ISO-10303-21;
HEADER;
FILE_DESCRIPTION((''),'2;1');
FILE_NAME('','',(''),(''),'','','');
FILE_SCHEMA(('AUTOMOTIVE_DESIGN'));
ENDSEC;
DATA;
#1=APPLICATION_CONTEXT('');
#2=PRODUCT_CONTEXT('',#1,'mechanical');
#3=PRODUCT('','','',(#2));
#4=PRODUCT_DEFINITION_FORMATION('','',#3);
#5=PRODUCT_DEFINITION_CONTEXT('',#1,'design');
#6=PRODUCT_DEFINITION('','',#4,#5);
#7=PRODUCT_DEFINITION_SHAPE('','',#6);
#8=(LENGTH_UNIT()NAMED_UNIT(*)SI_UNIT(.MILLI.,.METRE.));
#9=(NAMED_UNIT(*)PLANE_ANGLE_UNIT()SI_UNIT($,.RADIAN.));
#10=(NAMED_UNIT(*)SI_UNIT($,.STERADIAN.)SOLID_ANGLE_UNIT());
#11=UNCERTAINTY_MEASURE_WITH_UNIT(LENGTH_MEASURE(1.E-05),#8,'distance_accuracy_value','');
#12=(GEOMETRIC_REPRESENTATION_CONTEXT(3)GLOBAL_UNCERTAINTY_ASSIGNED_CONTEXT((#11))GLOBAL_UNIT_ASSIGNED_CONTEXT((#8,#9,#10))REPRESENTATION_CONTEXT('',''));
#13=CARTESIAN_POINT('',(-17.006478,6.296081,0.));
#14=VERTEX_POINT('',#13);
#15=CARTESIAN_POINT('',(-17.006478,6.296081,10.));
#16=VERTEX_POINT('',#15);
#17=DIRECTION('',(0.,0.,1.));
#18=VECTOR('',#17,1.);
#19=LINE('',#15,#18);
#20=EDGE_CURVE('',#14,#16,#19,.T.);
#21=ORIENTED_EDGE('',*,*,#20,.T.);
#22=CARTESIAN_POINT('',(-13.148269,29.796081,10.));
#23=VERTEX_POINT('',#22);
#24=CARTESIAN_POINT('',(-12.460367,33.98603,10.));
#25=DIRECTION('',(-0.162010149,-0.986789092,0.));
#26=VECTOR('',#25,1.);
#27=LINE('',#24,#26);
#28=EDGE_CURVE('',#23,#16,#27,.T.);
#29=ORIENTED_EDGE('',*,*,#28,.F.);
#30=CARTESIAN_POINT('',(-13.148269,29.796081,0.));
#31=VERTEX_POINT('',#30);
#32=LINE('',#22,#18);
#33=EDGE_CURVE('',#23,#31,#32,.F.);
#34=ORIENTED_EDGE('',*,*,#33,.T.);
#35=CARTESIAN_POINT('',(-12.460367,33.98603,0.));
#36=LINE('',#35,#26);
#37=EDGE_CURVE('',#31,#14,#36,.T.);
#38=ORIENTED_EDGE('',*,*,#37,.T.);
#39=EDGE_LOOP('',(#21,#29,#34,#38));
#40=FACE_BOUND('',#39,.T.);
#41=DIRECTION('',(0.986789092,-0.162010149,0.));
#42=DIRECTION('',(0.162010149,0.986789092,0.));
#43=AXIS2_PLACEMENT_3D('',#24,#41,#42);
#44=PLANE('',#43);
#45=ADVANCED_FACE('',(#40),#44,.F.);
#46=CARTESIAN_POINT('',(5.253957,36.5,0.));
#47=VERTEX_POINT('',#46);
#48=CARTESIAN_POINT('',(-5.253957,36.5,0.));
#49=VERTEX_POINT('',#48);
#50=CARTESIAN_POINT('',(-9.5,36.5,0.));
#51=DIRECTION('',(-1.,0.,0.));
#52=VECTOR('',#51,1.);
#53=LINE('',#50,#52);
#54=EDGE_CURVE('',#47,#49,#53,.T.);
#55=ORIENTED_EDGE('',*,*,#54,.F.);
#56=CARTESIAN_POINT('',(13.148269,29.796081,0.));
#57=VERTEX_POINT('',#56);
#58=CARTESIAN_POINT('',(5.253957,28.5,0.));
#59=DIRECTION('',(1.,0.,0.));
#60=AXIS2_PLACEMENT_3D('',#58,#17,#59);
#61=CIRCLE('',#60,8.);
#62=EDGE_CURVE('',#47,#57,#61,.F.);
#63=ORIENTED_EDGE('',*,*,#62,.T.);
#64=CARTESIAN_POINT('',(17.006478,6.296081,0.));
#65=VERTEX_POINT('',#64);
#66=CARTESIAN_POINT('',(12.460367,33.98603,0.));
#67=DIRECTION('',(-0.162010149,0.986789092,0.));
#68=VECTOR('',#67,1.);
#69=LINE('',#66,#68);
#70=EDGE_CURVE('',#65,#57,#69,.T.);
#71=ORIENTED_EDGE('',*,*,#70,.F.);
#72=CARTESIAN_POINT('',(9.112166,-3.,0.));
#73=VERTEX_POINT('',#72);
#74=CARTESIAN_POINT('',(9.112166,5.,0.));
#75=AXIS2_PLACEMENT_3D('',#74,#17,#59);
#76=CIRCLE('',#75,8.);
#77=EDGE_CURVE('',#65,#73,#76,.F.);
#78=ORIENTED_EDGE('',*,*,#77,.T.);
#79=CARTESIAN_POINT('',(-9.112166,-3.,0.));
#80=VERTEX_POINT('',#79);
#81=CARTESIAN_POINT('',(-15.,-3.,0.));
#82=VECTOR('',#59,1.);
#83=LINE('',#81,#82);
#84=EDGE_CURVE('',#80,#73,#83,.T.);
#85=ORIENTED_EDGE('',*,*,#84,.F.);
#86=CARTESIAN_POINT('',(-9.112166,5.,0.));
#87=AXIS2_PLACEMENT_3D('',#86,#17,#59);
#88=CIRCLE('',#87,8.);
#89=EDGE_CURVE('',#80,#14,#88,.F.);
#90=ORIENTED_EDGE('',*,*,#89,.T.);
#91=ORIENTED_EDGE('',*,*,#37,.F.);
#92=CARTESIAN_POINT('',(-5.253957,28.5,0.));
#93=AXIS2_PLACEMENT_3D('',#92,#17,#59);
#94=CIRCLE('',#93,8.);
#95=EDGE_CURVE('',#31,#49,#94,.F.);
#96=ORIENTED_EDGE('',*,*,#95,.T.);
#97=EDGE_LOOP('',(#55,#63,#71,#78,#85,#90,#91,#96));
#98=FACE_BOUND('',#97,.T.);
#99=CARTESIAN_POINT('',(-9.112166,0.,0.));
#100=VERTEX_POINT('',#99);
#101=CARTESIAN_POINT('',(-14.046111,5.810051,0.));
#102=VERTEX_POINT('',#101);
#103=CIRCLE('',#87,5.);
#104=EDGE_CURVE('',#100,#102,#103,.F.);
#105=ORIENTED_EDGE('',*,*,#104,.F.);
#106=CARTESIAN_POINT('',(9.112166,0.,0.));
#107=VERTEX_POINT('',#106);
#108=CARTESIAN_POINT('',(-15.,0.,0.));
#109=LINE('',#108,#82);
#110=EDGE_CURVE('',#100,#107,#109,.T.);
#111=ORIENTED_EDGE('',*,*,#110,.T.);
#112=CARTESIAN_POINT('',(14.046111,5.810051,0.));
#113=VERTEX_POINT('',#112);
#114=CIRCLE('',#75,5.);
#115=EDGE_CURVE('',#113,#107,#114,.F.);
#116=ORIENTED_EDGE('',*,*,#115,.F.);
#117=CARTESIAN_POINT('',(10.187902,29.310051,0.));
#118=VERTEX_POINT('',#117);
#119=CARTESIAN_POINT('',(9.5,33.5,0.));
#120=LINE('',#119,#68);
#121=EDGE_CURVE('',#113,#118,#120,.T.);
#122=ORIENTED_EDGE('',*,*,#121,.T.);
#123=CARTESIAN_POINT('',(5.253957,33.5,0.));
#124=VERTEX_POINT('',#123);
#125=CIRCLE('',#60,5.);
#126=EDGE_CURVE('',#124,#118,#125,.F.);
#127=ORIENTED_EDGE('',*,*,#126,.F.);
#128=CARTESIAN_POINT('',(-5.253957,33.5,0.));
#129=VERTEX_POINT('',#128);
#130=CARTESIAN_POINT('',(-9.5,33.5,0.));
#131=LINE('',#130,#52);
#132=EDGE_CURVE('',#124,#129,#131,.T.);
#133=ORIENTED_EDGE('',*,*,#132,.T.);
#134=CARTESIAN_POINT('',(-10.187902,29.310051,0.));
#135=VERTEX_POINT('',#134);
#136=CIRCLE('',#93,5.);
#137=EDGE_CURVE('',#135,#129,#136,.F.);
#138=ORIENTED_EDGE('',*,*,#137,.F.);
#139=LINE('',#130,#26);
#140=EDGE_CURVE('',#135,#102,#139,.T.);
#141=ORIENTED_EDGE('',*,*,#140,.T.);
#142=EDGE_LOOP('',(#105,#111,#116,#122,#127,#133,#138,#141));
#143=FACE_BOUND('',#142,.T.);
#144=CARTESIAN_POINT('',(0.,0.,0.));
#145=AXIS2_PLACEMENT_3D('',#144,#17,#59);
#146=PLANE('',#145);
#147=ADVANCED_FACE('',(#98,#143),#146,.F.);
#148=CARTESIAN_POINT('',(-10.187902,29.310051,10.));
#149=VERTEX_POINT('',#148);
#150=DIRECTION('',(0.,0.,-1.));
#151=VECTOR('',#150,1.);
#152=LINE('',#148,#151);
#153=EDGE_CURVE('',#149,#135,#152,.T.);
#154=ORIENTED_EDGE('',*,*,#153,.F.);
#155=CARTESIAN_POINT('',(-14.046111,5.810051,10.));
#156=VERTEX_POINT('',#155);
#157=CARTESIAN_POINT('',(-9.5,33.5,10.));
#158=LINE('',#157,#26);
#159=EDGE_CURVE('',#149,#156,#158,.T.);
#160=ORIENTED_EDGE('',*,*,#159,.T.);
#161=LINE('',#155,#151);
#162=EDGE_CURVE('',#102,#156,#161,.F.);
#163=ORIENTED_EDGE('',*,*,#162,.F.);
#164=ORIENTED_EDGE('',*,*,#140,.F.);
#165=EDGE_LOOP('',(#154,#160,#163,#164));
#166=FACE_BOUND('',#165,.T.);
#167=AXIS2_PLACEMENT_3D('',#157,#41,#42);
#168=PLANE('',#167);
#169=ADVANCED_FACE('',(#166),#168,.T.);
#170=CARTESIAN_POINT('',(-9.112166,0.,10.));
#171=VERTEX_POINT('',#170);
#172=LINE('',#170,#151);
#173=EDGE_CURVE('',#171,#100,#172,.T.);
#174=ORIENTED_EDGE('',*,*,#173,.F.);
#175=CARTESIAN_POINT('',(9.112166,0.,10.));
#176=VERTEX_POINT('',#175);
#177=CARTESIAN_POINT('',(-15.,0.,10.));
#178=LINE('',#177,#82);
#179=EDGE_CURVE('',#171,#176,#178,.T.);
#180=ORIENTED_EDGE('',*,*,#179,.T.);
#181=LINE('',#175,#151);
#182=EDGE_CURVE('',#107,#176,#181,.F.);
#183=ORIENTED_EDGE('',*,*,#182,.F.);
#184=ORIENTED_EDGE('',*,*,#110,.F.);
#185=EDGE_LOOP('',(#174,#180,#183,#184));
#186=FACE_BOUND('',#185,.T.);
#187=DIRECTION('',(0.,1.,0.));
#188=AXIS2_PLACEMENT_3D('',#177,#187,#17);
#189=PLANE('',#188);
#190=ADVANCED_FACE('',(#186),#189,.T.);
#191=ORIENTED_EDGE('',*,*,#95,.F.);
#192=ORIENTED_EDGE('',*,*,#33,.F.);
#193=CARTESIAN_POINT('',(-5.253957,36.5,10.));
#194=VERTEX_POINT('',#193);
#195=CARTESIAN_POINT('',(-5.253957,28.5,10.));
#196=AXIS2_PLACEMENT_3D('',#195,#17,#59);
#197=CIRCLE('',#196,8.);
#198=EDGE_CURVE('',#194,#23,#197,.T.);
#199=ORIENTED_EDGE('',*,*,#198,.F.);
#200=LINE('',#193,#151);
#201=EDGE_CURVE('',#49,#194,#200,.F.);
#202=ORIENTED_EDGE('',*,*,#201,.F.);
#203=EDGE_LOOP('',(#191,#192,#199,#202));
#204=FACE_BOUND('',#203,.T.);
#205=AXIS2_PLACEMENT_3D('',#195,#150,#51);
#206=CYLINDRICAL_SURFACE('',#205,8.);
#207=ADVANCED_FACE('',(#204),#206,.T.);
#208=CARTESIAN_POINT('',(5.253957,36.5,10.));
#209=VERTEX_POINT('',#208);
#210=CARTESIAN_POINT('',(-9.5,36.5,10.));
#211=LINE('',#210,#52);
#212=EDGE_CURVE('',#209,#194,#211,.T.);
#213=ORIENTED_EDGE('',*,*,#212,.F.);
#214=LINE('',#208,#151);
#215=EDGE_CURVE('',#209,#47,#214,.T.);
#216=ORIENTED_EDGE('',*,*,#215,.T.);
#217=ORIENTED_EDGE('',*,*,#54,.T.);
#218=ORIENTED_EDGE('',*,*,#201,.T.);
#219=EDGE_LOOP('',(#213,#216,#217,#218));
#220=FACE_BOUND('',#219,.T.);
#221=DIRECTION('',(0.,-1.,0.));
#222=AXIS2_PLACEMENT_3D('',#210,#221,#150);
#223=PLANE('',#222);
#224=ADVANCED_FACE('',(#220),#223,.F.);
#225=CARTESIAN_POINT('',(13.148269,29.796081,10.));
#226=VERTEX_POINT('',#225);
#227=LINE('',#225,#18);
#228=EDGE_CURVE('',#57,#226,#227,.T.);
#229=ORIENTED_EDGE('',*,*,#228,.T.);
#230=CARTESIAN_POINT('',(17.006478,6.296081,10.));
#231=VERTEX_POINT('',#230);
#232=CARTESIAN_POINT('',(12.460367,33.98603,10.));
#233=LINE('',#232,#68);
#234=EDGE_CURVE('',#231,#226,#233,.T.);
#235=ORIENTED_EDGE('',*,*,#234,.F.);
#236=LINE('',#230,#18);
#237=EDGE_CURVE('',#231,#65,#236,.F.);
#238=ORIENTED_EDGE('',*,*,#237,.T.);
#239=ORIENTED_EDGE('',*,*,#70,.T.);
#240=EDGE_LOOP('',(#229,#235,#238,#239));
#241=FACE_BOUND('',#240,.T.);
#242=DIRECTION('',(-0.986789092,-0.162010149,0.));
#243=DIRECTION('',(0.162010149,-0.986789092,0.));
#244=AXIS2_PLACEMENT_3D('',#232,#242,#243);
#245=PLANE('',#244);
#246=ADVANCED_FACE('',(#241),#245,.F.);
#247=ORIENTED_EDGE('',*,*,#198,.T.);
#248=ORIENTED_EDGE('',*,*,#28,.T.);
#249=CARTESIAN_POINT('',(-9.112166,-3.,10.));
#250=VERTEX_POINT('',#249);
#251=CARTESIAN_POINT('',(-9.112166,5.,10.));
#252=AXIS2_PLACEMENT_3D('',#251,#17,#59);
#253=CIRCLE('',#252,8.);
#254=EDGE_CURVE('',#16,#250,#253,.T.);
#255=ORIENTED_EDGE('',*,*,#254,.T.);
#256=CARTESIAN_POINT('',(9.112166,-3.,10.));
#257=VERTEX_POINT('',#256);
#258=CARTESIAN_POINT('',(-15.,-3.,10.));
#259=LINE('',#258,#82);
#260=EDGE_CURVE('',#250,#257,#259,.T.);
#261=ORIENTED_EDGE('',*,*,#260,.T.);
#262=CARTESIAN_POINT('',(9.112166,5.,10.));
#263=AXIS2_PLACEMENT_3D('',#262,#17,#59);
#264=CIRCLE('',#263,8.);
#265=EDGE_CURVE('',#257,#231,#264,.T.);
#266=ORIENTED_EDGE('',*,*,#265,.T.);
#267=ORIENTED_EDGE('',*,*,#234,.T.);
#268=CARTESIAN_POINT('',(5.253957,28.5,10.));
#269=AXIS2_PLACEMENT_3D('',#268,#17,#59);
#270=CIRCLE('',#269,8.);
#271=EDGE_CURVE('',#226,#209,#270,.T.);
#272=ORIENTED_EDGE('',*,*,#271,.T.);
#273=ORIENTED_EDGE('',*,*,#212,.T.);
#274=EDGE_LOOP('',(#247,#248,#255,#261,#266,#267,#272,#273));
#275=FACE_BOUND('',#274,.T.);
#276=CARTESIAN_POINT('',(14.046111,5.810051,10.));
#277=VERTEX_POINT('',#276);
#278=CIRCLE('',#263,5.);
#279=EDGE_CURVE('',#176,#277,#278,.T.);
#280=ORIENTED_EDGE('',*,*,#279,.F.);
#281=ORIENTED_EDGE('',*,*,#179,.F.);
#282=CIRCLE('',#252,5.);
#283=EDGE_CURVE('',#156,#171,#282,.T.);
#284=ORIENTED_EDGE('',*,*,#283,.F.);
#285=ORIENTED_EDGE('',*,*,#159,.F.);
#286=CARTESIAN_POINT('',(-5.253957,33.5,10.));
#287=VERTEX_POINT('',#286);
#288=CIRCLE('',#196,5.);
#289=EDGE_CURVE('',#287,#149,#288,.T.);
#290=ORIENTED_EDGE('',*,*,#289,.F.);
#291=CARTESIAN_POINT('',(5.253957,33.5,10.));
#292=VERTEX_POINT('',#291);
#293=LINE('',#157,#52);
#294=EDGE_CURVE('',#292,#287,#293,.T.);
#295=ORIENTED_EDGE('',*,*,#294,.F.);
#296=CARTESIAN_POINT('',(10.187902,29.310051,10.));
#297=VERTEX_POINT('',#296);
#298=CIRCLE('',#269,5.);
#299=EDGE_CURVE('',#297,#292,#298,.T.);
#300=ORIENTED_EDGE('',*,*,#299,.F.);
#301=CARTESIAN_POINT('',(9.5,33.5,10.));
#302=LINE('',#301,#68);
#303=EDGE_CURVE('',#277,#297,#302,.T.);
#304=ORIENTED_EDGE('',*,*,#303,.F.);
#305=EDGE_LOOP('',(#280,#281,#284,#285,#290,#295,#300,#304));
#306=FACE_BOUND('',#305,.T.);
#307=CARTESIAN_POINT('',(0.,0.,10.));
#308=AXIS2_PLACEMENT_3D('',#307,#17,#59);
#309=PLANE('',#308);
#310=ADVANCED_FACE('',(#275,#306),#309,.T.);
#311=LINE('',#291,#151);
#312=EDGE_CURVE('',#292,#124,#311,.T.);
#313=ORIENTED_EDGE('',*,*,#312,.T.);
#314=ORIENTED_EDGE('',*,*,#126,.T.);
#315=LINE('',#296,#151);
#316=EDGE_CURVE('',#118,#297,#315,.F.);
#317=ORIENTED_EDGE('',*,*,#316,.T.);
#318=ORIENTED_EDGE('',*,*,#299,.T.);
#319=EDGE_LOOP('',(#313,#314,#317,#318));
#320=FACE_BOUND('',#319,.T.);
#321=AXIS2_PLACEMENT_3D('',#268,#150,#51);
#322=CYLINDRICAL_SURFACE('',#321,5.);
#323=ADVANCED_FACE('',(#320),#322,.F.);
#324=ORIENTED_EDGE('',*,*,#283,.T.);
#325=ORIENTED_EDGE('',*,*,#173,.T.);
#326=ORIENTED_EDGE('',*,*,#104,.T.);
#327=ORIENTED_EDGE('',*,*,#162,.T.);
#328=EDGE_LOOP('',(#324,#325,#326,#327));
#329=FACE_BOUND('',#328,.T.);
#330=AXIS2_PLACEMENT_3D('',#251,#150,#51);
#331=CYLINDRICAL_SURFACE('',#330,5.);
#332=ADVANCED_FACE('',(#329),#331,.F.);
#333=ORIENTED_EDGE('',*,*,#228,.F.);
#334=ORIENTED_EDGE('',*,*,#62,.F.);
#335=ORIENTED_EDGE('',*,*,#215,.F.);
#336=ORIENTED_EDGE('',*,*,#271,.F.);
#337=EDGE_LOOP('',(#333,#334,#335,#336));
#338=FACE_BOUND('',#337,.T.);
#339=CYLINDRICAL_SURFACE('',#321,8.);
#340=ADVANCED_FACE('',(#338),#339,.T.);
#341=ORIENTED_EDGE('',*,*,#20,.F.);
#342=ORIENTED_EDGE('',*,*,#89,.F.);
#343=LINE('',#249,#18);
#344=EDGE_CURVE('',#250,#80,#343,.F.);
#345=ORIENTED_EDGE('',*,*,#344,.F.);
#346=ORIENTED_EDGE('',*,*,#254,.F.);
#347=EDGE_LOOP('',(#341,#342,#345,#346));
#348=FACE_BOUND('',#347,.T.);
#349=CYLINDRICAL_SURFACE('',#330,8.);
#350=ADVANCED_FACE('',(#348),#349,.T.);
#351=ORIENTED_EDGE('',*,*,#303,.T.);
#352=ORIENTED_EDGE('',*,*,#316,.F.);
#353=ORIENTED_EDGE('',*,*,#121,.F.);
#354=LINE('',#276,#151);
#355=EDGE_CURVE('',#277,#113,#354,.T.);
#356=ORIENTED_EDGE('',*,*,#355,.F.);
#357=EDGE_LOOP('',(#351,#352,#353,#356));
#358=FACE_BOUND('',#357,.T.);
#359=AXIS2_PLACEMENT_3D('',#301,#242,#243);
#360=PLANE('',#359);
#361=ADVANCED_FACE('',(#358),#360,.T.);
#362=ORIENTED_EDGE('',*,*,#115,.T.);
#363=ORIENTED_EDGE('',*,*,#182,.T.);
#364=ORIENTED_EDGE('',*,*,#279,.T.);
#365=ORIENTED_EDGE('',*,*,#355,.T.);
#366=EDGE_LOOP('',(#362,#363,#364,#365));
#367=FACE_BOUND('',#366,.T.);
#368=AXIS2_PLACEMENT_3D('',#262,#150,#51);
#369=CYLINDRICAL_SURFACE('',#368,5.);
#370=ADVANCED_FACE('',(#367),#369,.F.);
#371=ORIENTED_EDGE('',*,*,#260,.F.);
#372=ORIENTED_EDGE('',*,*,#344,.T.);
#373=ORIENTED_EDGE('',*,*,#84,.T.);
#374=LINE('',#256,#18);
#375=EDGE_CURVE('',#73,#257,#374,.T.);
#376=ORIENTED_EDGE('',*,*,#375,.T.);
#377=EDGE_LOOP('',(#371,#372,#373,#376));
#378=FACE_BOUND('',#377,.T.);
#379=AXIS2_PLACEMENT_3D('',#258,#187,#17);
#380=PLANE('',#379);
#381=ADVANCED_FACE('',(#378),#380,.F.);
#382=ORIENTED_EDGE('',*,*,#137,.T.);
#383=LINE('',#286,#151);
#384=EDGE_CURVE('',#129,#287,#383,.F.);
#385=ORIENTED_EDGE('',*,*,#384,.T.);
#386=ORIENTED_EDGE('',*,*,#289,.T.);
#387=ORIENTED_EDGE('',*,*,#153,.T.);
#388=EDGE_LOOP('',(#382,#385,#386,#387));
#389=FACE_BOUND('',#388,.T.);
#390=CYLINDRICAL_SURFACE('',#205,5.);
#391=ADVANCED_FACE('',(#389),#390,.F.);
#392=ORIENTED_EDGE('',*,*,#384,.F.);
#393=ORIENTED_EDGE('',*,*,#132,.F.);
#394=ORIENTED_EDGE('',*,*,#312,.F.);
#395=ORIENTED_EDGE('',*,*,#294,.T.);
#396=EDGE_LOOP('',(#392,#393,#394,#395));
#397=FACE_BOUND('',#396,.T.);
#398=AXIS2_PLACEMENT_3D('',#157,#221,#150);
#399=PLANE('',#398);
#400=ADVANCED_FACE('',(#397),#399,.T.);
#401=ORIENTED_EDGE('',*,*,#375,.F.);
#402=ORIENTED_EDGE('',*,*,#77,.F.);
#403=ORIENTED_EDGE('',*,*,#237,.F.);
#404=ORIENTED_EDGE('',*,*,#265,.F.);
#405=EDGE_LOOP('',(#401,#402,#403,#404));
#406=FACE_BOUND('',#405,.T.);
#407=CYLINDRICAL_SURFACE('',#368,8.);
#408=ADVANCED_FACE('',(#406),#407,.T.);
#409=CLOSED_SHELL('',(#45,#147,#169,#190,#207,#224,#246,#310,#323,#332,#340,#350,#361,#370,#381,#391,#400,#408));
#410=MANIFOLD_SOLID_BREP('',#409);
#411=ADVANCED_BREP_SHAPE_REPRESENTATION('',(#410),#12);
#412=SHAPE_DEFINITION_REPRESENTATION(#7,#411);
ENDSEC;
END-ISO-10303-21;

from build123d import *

# Parameters (mm, degrees)
BOSS_EXTRU_2_DEPTH = 10
CONG_2_R           = 5
COQUE3_T           = 3


with BuildPart() as part:
    # Esquisse1 → Boss.-Extru.2 (new body)
    with BuildSketch(Plane.XY):
        Polygon((-15, 0), (15, 0), (9.5, 33.5), (-9.5, 33.5), align=None)
    extrude(amount=BOSS_EXTRU_2_DEPTH)

    # Congé2
    cong_2_edges = [part.edges().sort_by_distance(p)[0] for p in [
        (15, 0, 5),
        (-15, 0, 5),
        (-9.5, 33.5, 5),
        (9.5, 33.5, 5),
    ]]
    fillet(cong_2_edges, radius=CONG_2_R)

    # Coque3
    coque3_openings = [part.faces().sort_by_distance(p)[0] for p in [
        (0, 15.617025891, 0),
        (0, 15.617025891, 10),
    ]]
    offset(amount=COQUE3_T, openings=coque3_openings, kind=Kind.INTERSECTION)


solid = part.part
